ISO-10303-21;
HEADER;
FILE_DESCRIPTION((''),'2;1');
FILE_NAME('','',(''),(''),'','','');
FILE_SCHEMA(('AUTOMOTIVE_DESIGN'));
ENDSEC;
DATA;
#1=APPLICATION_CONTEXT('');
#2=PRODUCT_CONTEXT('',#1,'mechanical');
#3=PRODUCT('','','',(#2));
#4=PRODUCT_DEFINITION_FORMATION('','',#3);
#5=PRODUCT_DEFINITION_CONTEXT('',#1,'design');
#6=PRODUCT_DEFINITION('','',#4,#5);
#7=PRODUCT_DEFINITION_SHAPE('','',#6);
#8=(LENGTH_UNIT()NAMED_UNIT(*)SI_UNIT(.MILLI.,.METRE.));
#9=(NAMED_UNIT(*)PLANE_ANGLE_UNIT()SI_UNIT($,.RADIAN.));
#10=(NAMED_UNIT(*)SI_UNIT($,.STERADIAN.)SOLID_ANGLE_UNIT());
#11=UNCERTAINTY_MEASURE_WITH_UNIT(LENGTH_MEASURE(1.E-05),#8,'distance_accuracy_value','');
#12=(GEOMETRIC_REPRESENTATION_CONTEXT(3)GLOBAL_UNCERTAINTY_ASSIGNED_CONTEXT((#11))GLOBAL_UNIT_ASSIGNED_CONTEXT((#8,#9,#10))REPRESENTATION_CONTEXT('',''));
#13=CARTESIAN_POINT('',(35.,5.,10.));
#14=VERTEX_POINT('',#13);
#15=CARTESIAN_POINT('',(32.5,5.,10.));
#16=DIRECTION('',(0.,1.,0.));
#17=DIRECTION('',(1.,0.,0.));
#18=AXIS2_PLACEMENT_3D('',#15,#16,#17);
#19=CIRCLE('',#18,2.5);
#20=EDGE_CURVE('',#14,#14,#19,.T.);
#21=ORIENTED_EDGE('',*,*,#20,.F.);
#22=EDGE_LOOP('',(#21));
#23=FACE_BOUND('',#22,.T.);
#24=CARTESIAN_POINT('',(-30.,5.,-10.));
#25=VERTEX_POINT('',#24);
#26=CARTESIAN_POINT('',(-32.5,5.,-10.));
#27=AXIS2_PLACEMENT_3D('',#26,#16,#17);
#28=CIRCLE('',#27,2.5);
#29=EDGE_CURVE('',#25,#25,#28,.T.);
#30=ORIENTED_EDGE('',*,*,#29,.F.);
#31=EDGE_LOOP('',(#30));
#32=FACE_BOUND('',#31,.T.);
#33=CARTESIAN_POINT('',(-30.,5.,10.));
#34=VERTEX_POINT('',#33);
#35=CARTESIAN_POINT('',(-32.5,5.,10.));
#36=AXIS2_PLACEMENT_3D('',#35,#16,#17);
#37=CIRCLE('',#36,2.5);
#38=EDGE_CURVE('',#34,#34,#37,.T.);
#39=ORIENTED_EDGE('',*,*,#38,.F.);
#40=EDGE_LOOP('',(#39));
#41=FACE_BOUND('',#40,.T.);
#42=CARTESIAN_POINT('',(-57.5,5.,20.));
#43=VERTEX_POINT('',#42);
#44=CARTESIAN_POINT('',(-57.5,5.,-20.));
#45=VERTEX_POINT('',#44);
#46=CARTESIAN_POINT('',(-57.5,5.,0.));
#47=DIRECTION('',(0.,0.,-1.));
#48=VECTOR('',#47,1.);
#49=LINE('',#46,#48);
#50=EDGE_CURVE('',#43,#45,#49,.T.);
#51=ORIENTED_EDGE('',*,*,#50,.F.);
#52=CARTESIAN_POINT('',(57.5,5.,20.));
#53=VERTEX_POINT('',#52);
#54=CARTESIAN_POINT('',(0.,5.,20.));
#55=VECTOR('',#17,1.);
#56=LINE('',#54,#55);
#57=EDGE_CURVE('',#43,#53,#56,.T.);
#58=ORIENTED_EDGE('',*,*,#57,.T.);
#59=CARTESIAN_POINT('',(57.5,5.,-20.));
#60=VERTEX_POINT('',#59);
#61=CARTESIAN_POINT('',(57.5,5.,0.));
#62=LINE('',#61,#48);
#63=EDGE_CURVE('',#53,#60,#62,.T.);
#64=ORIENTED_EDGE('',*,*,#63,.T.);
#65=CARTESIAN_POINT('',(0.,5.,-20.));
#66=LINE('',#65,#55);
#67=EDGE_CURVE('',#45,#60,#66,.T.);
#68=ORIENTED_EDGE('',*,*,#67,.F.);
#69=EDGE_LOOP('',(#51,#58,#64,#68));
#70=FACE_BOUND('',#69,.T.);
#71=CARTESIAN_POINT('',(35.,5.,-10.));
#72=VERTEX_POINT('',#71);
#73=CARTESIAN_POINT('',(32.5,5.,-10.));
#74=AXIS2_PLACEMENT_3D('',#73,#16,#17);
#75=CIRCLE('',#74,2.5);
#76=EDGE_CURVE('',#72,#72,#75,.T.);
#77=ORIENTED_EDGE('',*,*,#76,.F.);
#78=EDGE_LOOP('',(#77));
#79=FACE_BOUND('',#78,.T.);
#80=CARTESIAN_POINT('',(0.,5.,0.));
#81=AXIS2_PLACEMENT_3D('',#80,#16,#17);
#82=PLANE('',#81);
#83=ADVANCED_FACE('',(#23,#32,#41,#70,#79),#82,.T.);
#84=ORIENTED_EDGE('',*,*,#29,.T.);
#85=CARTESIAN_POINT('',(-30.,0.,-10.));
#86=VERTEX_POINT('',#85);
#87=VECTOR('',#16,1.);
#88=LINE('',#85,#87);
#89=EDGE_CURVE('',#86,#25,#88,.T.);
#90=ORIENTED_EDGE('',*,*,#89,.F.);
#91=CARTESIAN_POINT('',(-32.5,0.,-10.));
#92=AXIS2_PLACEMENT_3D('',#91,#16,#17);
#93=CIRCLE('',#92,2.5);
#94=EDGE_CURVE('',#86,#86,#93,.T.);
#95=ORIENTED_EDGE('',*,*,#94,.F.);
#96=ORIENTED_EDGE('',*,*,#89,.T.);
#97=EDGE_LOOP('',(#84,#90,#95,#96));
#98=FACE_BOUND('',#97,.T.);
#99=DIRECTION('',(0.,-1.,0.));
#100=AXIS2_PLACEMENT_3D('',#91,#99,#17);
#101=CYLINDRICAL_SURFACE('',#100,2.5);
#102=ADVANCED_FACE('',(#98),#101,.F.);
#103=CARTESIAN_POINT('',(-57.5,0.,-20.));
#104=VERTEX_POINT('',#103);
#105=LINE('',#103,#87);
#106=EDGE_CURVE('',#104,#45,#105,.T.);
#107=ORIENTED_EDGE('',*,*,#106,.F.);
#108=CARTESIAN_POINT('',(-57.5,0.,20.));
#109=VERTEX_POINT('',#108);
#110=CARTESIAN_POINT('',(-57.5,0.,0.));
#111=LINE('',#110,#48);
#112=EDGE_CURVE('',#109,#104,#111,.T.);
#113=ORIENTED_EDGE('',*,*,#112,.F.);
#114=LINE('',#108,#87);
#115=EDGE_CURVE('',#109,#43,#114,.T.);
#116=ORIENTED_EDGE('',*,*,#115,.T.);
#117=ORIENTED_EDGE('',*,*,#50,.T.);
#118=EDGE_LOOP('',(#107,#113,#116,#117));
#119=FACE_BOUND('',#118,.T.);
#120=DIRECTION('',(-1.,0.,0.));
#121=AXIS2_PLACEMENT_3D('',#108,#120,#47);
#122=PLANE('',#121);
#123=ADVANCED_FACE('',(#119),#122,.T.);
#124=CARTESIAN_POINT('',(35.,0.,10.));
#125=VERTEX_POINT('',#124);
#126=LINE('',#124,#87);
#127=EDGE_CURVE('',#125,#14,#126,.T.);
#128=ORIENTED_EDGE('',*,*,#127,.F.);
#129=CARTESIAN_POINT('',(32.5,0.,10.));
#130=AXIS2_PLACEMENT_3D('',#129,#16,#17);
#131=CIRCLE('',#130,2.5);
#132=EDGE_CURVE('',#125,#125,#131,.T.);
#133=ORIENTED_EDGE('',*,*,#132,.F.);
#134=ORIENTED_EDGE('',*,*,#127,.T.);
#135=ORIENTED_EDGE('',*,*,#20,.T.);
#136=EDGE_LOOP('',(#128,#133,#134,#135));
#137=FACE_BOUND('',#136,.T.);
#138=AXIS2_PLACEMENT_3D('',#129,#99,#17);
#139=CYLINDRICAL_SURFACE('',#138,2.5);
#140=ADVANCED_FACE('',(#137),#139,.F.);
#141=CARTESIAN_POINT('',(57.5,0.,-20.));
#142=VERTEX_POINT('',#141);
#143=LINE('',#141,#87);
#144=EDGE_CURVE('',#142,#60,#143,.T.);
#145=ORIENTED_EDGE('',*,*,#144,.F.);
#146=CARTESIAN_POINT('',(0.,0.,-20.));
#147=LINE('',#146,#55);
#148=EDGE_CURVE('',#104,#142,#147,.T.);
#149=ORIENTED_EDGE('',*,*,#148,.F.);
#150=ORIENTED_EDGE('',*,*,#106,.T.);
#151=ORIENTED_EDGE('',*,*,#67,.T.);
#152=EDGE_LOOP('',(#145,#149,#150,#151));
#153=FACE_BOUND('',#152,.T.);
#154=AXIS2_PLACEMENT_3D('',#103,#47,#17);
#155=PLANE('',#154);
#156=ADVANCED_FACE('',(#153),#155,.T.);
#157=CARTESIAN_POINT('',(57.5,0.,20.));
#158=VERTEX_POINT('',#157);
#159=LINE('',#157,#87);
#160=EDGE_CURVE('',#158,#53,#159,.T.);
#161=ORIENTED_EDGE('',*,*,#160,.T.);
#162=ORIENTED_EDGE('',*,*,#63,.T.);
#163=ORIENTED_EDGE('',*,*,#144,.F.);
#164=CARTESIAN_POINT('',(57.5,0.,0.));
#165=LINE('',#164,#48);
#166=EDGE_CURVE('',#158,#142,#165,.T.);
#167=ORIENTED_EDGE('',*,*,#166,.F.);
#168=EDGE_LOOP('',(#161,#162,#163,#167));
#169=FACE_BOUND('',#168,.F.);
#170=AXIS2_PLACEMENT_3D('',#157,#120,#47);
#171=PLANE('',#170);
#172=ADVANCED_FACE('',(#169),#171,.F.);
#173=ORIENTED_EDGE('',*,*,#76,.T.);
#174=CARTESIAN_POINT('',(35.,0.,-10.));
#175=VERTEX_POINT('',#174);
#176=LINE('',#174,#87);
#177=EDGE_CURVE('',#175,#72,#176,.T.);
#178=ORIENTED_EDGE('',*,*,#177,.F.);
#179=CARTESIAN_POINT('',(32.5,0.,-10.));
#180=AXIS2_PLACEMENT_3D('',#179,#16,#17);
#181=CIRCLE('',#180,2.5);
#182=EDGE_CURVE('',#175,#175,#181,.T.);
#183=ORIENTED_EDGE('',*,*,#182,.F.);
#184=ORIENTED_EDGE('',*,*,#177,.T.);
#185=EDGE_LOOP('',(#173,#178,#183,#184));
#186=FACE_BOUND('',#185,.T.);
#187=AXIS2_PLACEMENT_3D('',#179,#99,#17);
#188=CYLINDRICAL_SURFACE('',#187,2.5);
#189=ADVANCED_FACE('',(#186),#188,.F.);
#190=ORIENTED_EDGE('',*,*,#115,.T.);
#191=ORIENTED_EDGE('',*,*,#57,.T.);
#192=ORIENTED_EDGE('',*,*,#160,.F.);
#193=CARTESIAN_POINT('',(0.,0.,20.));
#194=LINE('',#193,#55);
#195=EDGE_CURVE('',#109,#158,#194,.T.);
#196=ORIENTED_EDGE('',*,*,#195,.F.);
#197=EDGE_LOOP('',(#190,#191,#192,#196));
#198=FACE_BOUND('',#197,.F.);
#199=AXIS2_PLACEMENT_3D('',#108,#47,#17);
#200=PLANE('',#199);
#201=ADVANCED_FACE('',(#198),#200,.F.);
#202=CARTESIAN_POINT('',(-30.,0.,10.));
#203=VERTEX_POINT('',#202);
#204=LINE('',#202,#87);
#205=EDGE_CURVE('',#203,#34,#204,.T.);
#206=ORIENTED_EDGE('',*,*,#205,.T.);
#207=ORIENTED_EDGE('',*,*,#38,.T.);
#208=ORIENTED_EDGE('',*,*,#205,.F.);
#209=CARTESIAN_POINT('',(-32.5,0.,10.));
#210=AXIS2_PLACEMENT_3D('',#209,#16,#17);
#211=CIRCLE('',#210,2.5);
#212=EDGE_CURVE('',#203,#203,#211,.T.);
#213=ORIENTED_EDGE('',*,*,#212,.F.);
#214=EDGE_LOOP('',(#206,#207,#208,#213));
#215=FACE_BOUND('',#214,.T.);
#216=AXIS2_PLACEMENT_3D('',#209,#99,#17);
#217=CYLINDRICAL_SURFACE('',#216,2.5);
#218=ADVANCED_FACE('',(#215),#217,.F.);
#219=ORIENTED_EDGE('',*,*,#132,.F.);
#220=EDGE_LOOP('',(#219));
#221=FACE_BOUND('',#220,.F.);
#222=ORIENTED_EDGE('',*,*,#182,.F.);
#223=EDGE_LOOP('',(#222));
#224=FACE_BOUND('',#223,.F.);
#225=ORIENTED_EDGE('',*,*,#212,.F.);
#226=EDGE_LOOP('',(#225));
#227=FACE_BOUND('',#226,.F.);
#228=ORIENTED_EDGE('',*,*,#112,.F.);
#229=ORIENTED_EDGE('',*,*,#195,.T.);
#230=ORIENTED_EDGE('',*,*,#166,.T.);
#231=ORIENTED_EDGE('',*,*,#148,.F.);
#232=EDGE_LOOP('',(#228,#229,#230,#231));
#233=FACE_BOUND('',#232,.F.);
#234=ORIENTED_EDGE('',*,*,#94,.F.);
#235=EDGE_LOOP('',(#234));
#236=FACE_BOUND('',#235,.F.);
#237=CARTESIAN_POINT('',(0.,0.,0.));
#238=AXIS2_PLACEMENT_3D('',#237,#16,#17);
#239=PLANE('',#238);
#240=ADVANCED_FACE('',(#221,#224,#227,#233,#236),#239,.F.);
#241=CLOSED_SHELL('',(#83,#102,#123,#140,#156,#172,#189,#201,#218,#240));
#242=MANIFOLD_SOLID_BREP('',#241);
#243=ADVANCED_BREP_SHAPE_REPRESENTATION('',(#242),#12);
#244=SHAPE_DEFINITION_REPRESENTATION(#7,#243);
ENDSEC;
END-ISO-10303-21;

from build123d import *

# Parameters (mm, degrees)
SKETCH2_W           = 115
SKETCH2_H           = 40
SKETCH2_R           = 2.5
BOSS_EXTRUDE2_DEPTH = 5


with BuildPart() as part:
    # Sketch2 → Boss-Extrude2 (new body)
    with BuildSketch(Plane(origin=(0, 0, 0), x_dir=(1, 0, 0), z_dir=(0, 1, 0))):
        Rectangle(SKETCH2_W, SKETCH2_H)
        with Locations((-32.5, 10)):
            Circle(SKETCH2_R, mode=Mode.SUBTRACT)
        with Locations((-32.5, -10)):
            Circle(SKETCH2_R, mode=Mode.SUBTRACT)
        with Locations((32.5, 10)):
            Circle(SKETCH2_R, mode=Mode.SUBTRACT)
        with Locations((32.5, -10)):
            Circle(SKETCH2_R, mode=Mode.SUBTRACT)
    extrude(amount=BOSS_EXTRUDE2_DEPTH)


solid = part.part
